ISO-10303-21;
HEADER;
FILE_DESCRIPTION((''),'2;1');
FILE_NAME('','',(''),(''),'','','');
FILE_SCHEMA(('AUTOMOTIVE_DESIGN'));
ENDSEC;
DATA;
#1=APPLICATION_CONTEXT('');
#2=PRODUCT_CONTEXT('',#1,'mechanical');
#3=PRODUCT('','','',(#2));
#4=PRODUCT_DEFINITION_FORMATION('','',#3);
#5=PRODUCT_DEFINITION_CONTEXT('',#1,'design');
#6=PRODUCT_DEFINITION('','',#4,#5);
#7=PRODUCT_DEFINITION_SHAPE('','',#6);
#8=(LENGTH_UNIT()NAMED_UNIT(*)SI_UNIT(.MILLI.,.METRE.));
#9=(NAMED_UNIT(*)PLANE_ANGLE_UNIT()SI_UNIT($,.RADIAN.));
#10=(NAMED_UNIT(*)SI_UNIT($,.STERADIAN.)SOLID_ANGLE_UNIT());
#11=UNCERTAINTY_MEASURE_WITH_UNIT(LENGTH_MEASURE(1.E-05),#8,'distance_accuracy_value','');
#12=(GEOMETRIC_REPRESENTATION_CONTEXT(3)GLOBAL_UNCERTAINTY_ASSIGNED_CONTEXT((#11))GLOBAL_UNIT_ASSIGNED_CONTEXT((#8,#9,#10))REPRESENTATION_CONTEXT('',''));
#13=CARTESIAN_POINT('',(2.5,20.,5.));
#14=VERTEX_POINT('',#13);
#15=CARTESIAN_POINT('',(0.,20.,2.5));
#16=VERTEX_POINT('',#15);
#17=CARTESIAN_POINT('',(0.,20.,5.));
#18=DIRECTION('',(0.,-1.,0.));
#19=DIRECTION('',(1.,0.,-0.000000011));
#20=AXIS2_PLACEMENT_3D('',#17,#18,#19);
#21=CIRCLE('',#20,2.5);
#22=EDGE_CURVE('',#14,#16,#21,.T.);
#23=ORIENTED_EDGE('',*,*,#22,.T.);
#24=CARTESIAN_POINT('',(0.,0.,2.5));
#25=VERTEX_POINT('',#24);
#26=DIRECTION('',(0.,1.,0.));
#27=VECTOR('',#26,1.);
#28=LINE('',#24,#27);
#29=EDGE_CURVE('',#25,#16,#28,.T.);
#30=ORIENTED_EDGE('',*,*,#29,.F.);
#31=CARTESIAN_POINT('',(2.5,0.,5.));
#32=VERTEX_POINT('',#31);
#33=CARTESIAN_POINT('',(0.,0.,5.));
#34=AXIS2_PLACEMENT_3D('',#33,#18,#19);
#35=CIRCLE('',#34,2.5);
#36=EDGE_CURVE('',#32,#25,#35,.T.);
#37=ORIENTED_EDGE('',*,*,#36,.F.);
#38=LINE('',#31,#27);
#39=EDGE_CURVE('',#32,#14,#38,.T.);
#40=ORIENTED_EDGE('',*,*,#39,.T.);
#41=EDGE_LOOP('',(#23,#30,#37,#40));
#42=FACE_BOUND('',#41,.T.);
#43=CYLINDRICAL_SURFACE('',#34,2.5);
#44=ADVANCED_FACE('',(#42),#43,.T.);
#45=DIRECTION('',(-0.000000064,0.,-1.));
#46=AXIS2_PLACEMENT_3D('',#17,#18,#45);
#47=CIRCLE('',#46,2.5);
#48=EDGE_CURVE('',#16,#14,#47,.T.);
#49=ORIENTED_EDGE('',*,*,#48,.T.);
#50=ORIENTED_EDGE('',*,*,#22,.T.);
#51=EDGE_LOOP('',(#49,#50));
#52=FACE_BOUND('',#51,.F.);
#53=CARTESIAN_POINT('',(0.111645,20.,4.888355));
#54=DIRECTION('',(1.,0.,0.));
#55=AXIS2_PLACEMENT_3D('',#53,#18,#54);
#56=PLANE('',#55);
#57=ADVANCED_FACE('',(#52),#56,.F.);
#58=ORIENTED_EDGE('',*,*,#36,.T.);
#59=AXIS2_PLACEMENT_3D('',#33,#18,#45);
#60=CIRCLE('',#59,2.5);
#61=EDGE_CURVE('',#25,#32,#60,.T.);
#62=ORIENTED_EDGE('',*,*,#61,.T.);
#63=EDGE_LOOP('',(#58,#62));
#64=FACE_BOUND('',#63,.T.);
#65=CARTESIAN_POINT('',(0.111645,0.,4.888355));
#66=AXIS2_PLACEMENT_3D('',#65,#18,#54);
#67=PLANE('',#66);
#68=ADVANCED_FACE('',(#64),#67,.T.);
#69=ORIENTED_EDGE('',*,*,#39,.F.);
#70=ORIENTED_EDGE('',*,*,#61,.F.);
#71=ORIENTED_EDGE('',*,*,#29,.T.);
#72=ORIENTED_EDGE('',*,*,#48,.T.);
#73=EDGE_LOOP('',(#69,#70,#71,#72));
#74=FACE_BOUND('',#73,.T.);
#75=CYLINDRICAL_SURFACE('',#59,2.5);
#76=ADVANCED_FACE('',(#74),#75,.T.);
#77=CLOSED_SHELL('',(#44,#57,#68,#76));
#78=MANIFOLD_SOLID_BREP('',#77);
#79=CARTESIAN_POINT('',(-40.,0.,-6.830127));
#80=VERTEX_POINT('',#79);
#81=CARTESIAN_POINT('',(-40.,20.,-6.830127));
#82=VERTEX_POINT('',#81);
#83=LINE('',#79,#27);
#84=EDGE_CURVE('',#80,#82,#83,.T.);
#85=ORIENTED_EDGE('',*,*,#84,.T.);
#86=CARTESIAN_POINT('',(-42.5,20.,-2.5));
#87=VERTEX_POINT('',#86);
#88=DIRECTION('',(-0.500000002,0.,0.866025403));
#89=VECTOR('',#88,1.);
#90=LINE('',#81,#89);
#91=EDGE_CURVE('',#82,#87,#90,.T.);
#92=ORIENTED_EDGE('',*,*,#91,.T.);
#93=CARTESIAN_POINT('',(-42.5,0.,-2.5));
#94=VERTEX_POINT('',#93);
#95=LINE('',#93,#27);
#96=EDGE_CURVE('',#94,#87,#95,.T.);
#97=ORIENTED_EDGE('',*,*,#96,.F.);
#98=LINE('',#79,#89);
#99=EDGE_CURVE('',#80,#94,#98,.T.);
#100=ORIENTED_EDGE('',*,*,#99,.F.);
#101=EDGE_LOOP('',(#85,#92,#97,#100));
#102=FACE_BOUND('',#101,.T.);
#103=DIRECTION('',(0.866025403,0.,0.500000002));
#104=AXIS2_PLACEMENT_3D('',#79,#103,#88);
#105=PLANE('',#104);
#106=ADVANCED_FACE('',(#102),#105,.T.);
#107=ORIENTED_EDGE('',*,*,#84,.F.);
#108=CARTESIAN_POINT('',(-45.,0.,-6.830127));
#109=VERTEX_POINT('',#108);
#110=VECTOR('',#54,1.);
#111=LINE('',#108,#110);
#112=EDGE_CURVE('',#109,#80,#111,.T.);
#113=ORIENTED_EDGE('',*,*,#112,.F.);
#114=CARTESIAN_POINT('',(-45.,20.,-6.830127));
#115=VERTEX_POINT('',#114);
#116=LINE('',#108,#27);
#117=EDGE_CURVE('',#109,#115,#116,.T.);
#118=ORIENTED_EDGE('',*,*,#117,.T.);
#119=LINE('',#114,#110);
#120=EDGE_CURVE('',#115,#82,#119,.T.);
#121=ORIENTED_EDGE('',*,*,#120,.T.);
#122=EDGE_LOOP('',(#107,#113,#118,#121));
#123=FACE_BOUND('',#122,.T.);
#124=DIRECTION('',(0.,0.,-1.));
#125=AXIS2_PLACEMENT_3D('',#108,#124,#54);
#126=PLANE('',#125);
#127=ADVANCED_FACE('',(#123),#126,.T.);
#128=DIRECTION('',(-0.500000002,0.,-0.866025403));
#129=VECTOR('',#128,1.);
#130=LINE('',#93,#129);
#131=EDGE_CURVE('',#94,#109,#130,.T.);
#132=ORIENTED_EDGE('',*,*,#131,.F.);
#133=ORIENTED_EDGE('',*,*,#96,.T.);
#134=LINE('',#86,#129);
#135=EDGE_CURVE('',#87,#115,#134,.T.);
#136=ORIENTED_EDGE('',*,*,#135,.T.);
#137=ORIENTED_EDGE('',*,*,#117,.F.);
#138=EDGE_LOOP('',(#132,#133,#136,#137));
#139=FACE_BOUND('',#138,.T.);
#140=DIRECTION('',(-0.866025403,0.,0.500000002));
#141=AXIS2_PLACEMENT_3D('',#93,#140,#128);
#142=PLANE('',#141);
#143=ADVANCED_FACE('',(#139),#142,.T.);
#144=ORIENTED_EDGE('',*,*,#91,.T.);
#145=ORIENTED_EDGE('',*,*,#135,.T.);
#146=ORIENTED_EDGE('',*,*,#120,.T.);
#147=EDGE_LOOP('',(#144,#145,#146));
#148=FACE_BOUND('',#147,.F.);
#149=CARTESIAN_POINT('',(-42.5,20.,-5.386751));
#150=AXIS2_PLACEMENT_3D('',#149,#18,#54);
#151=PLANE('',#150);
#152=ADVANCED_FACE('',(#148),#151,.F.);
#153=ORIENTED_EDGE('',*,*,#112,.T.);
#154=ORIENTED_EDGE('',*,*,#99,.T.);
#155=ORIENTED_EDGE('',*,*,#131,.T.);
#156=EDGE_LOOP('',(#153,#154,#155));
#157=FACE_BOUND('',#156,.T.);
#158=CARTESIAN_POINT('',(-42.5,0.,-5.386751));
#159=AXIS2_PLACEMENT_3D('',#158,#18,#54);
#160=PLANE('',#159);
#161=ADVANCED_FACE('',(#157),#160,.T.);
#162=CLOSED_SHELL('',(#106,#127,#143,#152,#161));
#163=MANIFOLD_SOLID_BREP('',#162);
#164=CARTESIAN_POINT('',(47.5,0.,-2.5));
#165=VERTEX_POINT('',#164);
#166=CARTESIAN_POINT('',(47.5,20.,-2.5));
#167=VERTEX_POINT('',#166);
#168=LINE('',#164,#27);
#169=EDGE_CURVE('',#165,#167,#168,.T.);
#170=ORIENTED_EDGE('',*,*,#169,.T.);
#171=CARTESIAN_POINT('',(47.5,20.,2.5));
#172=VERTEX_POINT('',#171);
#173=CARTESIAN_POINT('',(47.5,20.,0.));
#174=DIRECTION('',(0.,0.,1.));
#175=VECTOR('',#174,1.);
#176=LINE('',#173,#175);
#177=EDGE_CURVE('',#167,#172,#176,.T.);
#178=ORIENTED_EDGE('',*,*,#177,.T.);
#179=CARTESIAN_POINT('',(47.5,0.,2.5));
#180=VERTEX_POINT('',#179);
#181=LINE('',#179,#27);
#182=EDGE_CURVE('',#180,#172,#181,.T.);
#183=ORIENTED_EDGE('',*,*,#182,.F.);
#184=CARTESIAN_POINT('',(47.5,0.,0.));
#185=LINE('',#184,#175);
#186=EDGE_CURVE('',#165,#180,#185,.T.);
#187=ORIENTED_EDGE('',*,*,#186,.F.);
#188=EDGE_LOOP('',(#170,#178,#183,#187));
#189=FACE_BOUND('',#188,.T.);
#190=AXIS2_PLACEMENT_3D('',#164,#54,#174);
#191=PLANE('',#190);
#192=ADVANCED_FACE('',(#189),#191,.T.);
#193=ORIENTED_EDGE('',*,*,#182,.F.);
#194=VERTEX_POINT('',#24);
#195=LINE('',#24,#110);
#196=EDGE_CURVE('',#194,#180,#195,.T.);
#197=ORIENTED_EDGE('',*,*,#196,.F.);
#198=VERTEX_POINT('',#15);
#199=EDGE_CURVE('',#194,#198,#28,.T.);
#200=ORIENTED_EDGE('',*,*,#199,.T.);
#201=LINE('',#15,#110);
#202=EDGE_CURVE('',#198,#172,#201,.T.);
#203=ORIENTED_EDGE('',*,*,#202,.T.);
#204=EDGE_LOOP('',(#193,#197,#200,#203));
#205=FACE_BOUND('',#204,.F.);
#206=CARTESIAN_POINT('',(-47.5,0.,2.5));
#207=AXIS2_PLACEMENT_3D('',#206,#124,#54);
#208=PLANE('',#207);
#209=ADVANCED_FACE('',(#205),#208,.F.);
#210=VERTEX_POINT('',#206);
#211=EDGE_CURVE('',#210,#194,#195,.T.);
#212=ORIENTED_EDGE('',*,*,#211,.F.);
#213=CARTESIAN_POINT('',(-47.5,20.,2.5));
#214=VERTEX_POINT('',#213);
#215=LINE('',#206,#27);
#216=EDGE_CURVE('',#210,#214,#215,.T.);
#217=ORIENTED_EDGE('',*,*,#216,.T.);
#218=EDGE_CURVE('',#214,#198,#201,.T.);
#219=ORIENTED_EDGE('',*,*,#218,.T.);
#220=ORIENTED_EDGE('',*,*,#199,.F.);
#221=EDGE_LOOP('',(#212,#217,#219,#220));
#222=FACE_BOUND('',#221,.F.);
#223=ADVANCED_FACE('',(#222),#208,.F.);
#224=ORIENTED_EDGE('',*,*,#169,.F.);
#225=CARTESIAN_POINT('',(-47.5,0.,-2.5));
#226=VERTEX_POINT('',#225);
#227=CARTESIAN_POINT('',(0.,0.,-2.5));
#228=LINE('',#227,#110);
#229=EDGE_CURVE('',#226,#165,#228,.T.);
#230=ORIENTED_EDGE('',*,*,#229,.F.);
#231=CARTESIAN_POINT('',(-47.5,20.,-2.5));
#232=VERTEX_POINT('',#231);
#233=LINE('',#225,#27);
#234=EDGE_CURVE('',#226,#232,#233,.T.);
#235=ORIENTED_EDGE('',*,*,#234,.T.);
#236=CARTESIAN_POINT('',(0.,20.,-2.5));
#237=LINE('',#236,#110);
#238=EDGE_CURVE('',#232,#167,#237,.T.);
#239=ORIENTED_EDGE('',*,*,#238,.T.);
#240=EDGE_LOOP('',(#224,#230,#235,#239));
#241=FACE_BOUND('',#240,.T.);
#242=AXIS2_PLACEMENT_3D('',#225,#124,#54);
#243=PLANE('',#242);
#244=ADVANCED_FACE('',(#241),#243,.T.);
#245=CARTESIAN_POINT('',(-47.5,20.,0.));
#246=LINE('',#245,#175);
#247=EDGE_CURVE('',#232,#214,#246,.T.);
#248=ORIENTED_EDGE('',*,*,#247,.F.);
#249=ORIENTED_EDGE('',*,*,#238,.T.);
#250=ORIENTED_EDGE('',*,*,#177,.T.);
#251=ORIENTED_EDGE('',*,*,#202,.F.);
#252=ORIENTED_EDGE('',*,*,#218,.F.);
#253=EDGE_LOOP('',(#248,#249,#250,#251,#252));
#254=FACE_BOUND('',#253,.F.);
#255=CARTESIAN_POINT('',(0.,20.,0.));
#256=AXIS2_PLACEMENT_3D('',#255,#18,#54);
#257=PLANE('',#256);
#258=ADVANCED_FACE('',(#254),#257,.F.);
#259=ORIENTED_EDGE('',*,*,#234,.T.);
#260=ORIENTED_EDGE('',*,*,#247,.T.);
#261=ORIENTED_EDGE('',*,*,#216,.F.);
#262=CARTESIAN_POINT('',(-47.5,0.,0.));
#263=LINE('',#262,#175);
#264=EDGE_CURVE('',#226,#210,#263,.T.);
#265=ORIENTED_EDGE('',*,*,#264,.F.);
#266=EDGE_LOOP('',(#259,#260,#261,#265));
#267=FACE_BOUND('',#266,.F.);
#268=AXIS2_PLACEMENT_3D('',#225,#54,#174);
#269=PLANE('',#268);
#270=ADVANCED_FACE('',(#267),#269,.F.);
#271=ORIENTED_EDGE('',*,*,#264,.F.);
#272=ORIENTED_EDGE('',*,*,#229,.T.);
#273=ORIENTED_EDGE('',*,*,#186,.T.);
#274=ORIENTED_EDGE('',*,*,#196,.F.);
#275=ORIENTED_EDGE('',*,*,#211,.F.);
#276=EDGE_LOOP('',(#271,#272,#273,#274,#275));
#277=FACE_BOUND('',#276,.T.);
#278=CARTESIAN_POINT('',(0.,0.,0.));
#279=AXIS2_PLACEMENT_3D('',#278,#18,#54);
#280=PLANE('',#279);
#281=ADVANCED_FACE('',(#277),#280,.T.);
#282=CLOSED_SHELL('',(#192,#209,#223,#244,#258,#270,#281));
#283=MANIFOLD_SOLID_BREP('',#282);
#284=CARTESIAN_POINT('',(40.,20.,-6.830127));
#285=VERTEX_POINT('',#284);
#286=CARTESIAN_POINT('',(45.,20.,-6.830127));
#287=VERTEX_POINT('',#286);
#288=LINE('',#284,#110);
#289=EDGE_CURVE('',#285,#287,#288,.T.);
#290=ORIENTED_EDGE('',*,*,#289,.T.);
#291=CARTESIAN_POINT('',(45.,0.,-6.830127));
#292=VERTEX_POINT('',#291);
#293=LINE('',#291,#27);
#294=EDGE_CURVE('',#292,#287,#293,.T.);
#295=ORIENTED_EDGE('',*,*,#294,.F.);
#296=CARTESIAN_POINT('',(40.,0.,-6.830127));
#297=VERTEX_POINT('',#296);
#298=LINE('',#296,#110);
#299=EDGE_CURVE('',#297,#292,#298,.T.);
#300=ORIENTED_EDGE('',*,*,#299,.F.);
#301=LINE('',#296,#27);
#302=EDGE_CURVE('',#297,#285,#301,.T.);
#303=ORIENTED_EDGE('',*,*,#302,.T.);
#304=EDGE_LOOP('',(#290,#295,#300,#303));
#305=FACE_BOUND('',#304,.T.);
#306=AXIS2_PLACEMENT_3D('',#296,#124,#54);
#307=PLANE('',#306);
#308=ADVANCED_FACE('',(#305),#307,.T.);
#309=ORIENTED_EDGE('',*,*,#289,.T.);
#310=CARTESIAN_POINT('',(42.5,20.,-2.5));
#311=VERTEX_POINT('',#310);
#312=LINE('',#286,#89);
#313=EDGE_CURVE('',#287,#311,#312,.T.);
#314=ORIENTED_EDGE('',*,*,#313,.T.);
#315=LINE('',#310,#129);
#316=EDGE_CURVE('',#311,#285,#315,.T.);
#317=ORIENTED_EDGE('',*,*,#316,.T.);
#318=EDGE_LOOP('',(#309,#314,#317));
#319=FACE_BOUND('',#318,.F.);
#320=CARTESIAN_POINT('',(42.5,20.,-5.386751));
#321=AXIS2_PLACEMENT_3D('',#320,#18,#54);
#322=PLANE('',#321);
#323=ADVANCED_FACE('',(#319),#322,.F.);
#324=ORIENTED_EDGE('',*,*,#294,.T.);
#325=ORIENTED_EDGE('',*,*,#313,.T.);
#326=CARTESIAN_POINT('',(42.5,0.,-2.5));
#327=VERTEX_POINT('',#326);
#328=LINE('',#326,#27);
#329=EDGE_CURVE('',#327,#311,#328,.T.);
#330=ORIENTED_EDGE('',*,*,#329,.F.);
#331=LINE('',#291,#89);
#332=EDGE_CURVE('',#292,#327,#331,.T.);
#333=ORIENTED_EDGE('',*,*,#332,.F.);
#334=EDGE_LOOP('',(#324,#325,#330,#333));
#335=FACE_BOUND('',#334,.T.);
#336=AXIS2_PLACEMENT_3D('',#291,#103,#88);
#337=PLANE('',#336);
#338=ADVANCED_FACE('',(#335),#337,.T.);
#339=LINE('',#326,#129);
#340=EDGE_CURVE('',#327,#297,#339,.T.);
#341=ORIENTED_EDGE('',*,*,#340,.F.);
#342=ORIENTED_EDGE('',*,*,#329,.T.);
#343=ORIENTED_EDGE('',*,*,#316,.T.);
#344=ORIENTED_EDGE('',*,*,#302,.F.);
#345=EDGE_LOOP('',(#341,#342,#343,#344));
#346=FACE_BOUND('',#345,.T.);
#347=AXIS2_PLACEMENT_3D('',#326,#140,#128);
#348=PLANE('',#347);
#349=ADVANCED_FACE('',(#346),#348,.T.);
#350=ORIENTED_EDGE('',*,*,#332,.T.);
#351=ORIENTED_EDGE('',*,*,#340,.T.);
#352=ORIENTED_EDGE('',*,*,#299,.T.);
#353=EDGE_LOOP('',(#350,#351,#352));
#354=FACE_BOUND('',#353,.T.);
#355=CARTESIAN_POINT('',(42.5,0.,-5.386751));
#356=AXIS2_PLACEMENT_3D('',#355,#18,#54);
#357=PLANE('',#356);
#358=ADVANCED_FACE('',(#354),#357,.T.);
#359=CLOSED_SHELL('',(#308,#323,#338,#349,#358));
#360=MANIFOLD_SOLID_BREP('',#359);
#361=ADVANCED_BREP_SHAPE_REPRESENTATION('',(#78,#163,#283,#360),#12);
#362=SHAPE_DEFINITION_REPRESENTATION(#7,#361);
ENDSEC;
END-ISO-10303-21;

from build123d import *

# Parameters (mm, degrees)
F0_W     = 95
F0_H     = 5
F1_DEPTH = 20
F4_DEPTH = 20
F6_DEPTH = 20
F7_DEPTH = 20


with BuildPart() as f1:
    # F0 (on Front) → F1 (new body)
    with BuildSketch(Plane.XZ):
        Rectangle(F0_W, F0_H)
    extrude(amount=-F1_DEPTH)

    # F3 (on face) → F4 (join)
    with BuildSketch(Plane.XZ):
        with BuildLine():
            ThreePointArc((0, 2.5), (1.767767, 3.232233), (2.5, 5))
            ThreePointArc((2.5, 5), (-1.767767, 6.767767), (0, 2.5))
        make_face()
    extrude(amount=-F4_DEPTH)


with BuildPart() as f6:
    # F5 (on Front) → F6 (new body)
    with BuildSketch(Plane.XZ):
        Polygon((-45, -6.830127), (-40, -6.830127), (-42.5, -2.5), align=None)
    extrude(amount=-F6_DEPTH)


with BuildPart() as f7:
    # F5 (on Front) → F7 (new body)
    with BuildSketch(Plane.XZ):
        Polygon((40, -6.830127), (45, -6.830127), (42.5, -2.5), align=None)
    extrude(amount=-F7_DEPTH)


solid = Compound([f1.part, f6.part, f7.part])
